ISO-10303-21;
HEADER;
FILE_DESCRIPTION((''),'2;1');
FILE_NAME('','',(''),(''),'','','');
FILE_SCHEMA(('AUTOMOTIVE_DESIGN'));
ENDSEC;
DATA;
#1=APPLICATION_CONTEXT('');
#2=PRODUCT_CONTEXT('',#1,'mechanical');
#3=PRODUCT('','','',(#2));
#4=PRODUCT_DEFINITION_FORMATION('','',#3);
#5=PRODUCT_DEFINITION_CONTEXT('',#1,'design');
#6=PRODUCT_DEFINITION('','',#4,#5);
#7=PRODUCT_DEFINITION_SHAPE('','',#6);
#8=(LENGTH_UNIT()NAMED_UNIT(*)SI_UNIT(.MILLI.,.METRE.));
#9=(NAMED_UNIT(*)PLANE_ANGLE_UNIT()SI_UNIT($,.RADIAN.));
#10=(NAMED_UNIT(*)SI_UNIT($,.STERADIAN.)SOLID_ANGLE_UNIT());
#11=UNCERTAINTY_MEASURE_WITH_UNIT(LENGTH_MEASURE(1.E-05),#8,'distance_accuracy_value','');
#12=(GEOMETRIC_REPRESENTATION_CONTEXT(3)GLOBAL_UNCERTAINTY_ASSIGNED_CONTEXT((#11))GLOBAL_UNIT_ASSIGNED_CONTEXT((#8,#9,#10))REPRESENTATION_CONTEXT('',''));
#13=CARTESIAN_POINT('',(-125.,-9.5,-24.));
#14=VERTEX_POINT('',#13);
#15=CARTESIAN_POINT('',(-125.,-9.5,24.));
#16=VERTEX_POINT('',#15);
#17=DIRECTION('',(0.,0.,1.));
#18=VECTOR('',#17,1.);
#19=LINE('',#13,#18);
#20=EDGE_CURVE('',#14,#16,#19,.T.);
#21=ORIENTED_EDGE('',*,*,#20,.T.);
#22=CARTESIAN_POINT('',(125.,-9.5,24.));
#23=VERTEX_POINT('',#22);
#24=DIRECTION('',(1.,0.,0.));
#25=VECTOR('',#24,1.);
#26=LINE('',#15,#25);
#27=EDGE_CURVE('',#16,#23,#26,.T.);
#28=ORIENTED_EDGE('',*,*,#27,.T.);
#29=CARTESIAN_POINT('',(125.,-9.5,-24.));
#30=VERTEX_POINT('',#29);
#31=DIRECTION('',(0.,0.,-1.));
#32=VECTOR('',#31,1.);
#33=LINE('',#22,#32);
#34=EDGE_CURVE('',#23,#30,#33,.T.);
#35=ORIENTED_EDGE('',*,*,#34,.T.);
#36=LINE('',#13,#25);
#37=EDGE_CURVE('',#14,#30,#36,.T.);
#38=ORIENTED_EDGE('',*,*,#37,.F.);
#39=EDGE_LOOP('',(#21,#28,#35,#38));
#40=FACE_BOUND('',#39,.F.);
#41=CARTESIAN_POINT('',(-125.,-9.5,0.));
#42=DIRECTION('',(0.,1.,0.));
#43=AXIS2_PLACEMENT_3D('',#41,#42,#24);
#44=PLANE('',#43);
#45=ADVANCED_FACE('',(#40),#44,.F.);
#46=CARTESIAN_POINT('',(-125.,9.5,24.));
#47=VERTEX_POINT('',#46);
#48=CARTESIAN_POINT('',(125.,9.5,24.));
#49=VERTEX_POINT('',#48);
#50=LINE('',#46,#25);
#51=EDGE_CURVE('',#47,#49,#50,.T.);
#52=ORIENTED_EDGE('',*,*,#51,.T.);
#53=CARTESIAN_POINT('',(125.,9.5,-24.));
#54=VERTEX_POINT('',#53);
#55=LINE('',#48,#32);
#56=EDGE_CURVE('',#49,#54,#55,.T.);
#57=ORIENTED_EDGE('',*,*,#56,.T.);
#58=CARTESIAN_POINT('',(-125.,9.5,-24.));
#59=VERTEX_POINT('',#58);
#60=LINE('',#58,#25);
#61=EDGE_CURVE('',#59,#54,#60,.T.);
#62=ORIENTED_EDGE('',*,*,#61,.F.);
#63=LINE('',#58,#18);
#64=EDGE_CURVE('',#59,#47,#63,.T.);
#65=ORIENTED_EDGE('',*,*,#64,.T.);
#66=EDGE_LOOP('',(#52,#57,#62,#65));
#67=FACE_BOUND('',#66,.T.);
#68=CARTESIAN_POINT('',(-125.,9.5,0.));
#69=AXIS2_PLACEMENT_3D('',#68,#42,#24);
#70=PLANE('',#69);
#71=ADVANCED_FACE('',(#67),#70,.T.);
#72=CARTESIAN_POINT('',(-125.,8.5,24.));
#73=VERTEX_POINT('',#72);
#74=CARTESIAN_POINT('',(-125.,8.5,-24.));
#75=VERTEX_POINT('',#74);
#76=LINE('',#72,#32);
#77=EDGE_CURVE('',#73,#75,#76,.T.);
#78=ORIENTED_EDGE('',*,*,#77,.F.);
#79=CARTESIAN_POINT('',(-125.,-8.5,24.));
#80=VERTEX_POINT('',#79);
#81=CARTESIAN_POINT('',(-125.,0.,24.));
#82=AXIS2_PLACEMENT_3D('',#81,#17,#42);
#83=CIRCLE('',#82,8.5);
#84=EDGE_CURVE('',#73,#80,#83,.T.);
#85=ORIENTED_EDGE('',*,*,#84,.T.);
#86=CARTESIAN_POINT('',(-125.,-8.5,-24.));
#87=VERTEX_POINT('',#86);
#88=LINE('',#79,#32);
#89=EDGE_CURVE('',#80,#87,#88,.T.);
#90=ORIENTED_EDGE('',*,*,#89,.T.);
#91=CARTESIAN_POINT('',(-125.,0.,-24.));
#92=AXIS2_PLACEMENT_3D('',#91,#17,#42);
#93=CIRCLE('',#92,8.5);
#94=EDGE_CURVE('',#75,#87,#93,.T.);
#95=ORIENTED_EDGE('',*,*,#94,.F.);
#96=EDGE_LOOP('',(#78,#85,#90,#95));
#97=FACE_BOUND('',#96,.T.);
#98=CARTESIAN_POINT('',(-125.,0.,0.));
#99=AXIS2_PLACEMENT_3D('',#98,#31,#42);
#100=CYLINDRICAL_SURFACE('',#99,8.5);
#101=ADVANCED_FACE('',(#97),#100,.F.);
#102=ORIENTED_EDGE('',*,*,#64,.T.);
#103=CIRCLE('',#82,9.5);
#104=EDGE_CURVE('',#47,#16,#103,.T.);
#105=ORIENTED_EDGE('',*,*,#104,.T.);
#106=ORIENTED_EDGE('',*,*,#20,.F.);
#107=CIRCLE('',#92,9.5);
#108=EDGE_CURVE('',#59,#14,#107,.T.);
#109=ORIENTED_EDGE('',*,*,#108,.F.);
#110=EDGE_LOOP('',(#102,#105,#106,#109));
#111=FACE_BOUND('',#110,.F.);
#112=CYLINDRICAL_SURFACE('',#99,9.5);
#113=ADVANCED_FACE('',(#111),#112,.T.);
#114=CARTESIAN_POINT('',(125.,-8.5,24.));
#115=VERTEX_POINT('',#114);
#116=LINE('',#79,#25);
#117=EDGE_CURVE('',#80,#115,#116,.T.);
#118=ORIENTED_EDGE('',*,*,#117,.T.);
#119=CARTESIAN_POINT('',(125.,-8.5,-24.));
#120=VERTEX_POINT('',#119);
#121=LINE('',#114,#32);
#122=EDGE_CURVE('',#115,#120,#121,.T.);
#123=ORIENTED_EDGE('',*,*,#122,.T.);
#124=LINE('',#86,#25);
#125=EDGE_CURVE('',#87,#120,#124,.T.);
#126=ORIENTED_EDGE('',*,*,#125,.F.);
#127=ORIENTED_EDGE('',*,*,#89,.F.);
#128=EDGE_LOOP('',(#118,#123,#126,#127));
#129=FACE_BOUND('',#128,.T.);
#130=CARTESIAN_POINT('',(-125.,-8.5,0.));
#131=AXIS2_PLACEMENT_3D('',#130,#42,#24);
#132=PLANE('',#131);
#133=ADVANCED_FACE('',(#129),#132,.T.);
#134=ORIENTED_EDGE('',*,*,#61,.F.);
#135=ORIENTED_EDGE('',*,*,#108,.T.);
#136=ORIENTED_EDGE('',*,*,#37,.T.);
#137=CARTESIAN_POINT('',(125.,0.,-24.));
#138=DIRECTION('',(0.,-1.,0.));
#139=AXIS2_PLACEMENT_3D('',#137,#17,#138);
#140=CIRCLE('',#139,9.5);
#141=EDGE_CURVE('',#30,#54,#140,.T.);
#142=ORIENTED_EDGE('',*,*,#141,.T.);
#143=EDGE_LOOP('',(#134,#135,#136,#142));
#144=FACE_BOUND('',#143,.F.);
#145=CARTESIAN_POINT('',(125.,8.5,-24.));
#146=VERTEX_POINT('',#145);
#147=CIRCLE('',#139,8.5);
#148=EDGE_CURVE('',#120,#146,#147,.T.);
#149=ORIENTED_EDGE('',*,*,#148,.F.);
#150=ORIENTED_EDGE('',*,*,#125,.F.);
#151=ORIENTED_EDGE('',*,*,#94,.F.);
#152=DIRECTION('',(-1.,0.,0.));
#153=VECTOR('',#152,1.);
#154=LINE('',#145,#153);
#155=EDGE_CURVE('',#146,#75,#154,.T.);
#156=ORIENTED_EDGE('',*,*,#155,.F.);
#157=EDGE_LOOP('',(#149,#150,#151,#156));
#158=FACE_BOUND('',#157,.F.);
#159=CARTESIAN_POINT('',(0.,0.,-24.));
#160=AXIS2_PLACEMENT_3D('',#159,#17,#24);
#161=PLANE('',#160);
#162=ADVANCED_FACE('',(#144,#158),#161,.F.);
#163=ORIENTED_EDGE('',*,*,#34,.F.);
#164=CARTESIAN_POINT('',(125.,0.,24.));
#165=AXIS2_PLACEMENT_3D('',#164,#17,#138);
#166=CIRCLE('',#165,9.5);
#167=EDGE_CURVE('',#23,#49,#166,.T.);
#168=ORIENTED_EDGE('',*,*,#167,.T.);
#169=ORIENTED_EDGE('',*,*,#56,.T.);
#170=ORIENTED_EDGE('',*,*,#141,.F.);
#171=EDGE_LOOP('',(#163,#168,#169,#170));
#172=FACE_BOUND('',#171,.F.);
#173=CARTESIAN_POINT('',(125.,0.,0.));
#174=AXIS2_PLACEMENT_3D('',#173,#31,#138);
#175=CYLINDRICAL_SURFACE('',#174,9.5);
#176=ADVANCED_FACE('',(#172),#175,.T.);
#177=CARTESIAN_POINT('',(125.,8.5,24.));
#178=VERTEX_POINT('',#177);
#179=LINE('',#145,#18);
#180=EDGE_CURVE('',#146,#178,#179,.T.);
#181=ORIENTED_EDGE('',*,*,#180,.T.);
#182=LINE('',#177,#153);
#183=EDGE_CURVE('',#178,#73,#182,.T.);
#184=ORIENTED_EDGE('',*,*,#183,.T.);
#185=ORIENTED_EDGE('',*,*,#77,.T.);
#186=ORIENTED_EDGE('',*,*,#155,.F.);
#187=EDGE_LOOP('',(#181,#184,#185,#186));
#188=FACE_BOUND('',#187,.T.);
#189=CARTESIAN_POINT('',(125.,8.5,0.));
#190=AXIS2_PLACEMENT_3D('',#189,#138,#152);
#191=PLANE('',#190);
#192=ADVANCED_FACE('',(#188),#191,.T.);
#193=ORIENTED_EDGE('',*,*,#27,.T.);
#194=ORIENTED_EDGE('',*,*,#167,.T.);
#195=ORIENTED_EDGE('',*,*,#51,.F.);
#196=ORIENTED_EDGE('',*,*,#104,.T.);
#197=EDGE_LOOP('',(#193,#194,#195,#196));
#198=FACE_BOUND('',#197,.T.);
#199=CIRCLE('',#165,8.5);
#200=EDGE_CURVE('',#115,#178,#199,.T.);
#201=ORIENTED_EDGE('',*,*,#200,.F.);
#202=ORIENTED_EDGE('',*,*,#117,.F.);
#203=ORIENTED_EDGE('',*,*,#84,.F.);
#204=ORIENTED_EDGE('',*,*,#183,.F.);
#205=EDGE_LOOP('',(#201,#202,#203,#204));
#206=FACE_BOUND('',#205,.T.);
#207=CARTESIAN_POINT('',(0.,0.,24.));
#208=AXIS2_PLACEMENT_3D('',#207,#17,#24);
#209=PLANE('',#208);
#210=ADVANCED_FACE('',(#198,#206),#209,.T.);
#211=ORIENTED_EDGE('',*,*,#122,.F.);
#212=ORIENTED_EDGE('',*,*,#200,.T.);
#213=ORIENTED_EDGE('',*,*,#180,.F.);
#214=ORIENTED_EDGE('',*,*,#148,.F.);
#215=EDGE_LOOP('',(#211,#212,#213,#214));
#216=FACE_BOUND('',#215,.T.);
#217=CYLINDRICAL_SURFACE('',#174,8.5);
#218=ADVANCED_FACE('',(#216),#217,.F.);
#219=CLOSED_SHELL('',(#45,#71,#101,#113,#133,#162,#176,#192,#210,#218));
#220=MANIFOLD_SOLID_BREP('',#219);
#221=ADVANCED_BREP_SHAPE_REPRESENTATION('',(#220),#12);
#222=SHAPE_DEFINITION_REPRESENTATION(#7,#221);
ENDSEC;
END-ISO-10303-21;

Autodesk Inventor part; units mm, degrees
ref_plane "YZ Plane" through (0, 0, 0) normal (1, 0, 0) x (0, 1, 0)
ref_plane "XZ Plane" through (0, 0, 0) normal (0, 1, 0) x (-1, 0, 0)
ref_plane "XY Plane" through (0, 0, 0) normal (0, 0, 1) x (1, 0, 0)
sketch "Sketch1" plane through (0, 0, 0) normal (0, 0, 1) x (1, 0, 0)
  line L0 (-125, 9.5) -> (125, 9.5)
  circle A0 centre (125, 0) radius 9.5 construction
  arc A1 (125, -9.5) -> (125, 9.5) centre (125, 0) ccw
  line L1 (-125, -9.5) -> (125, -9.5)
  arc A2 (-125, 9.5) -> (-125, -9.5) centre (-125, 0) ccw
  line L2 (125, 8.5) -> (-125, 8.5)
  arc A3 (-125, 8.5) -> (-125, -8.5) centre (-125, 0) ccw
  line L3 (-125, -8.5) -> (125, -8.5)
  arc A4 (125, -8.5) -> (125, 8.5) centre (125, 0) ccw
  point P0 (0, 0)
  point P1 (0, 9.5)
  dimension "d0" = 250
  dimension "d3" = 1
  dimension "d8" = 8.5
  dimension "d9" = 17
extrude "Extrusion1" add sketch "Sketch1" along normal mid plane 48
properties part number "Conveyor_003_001" material "Rubber"
